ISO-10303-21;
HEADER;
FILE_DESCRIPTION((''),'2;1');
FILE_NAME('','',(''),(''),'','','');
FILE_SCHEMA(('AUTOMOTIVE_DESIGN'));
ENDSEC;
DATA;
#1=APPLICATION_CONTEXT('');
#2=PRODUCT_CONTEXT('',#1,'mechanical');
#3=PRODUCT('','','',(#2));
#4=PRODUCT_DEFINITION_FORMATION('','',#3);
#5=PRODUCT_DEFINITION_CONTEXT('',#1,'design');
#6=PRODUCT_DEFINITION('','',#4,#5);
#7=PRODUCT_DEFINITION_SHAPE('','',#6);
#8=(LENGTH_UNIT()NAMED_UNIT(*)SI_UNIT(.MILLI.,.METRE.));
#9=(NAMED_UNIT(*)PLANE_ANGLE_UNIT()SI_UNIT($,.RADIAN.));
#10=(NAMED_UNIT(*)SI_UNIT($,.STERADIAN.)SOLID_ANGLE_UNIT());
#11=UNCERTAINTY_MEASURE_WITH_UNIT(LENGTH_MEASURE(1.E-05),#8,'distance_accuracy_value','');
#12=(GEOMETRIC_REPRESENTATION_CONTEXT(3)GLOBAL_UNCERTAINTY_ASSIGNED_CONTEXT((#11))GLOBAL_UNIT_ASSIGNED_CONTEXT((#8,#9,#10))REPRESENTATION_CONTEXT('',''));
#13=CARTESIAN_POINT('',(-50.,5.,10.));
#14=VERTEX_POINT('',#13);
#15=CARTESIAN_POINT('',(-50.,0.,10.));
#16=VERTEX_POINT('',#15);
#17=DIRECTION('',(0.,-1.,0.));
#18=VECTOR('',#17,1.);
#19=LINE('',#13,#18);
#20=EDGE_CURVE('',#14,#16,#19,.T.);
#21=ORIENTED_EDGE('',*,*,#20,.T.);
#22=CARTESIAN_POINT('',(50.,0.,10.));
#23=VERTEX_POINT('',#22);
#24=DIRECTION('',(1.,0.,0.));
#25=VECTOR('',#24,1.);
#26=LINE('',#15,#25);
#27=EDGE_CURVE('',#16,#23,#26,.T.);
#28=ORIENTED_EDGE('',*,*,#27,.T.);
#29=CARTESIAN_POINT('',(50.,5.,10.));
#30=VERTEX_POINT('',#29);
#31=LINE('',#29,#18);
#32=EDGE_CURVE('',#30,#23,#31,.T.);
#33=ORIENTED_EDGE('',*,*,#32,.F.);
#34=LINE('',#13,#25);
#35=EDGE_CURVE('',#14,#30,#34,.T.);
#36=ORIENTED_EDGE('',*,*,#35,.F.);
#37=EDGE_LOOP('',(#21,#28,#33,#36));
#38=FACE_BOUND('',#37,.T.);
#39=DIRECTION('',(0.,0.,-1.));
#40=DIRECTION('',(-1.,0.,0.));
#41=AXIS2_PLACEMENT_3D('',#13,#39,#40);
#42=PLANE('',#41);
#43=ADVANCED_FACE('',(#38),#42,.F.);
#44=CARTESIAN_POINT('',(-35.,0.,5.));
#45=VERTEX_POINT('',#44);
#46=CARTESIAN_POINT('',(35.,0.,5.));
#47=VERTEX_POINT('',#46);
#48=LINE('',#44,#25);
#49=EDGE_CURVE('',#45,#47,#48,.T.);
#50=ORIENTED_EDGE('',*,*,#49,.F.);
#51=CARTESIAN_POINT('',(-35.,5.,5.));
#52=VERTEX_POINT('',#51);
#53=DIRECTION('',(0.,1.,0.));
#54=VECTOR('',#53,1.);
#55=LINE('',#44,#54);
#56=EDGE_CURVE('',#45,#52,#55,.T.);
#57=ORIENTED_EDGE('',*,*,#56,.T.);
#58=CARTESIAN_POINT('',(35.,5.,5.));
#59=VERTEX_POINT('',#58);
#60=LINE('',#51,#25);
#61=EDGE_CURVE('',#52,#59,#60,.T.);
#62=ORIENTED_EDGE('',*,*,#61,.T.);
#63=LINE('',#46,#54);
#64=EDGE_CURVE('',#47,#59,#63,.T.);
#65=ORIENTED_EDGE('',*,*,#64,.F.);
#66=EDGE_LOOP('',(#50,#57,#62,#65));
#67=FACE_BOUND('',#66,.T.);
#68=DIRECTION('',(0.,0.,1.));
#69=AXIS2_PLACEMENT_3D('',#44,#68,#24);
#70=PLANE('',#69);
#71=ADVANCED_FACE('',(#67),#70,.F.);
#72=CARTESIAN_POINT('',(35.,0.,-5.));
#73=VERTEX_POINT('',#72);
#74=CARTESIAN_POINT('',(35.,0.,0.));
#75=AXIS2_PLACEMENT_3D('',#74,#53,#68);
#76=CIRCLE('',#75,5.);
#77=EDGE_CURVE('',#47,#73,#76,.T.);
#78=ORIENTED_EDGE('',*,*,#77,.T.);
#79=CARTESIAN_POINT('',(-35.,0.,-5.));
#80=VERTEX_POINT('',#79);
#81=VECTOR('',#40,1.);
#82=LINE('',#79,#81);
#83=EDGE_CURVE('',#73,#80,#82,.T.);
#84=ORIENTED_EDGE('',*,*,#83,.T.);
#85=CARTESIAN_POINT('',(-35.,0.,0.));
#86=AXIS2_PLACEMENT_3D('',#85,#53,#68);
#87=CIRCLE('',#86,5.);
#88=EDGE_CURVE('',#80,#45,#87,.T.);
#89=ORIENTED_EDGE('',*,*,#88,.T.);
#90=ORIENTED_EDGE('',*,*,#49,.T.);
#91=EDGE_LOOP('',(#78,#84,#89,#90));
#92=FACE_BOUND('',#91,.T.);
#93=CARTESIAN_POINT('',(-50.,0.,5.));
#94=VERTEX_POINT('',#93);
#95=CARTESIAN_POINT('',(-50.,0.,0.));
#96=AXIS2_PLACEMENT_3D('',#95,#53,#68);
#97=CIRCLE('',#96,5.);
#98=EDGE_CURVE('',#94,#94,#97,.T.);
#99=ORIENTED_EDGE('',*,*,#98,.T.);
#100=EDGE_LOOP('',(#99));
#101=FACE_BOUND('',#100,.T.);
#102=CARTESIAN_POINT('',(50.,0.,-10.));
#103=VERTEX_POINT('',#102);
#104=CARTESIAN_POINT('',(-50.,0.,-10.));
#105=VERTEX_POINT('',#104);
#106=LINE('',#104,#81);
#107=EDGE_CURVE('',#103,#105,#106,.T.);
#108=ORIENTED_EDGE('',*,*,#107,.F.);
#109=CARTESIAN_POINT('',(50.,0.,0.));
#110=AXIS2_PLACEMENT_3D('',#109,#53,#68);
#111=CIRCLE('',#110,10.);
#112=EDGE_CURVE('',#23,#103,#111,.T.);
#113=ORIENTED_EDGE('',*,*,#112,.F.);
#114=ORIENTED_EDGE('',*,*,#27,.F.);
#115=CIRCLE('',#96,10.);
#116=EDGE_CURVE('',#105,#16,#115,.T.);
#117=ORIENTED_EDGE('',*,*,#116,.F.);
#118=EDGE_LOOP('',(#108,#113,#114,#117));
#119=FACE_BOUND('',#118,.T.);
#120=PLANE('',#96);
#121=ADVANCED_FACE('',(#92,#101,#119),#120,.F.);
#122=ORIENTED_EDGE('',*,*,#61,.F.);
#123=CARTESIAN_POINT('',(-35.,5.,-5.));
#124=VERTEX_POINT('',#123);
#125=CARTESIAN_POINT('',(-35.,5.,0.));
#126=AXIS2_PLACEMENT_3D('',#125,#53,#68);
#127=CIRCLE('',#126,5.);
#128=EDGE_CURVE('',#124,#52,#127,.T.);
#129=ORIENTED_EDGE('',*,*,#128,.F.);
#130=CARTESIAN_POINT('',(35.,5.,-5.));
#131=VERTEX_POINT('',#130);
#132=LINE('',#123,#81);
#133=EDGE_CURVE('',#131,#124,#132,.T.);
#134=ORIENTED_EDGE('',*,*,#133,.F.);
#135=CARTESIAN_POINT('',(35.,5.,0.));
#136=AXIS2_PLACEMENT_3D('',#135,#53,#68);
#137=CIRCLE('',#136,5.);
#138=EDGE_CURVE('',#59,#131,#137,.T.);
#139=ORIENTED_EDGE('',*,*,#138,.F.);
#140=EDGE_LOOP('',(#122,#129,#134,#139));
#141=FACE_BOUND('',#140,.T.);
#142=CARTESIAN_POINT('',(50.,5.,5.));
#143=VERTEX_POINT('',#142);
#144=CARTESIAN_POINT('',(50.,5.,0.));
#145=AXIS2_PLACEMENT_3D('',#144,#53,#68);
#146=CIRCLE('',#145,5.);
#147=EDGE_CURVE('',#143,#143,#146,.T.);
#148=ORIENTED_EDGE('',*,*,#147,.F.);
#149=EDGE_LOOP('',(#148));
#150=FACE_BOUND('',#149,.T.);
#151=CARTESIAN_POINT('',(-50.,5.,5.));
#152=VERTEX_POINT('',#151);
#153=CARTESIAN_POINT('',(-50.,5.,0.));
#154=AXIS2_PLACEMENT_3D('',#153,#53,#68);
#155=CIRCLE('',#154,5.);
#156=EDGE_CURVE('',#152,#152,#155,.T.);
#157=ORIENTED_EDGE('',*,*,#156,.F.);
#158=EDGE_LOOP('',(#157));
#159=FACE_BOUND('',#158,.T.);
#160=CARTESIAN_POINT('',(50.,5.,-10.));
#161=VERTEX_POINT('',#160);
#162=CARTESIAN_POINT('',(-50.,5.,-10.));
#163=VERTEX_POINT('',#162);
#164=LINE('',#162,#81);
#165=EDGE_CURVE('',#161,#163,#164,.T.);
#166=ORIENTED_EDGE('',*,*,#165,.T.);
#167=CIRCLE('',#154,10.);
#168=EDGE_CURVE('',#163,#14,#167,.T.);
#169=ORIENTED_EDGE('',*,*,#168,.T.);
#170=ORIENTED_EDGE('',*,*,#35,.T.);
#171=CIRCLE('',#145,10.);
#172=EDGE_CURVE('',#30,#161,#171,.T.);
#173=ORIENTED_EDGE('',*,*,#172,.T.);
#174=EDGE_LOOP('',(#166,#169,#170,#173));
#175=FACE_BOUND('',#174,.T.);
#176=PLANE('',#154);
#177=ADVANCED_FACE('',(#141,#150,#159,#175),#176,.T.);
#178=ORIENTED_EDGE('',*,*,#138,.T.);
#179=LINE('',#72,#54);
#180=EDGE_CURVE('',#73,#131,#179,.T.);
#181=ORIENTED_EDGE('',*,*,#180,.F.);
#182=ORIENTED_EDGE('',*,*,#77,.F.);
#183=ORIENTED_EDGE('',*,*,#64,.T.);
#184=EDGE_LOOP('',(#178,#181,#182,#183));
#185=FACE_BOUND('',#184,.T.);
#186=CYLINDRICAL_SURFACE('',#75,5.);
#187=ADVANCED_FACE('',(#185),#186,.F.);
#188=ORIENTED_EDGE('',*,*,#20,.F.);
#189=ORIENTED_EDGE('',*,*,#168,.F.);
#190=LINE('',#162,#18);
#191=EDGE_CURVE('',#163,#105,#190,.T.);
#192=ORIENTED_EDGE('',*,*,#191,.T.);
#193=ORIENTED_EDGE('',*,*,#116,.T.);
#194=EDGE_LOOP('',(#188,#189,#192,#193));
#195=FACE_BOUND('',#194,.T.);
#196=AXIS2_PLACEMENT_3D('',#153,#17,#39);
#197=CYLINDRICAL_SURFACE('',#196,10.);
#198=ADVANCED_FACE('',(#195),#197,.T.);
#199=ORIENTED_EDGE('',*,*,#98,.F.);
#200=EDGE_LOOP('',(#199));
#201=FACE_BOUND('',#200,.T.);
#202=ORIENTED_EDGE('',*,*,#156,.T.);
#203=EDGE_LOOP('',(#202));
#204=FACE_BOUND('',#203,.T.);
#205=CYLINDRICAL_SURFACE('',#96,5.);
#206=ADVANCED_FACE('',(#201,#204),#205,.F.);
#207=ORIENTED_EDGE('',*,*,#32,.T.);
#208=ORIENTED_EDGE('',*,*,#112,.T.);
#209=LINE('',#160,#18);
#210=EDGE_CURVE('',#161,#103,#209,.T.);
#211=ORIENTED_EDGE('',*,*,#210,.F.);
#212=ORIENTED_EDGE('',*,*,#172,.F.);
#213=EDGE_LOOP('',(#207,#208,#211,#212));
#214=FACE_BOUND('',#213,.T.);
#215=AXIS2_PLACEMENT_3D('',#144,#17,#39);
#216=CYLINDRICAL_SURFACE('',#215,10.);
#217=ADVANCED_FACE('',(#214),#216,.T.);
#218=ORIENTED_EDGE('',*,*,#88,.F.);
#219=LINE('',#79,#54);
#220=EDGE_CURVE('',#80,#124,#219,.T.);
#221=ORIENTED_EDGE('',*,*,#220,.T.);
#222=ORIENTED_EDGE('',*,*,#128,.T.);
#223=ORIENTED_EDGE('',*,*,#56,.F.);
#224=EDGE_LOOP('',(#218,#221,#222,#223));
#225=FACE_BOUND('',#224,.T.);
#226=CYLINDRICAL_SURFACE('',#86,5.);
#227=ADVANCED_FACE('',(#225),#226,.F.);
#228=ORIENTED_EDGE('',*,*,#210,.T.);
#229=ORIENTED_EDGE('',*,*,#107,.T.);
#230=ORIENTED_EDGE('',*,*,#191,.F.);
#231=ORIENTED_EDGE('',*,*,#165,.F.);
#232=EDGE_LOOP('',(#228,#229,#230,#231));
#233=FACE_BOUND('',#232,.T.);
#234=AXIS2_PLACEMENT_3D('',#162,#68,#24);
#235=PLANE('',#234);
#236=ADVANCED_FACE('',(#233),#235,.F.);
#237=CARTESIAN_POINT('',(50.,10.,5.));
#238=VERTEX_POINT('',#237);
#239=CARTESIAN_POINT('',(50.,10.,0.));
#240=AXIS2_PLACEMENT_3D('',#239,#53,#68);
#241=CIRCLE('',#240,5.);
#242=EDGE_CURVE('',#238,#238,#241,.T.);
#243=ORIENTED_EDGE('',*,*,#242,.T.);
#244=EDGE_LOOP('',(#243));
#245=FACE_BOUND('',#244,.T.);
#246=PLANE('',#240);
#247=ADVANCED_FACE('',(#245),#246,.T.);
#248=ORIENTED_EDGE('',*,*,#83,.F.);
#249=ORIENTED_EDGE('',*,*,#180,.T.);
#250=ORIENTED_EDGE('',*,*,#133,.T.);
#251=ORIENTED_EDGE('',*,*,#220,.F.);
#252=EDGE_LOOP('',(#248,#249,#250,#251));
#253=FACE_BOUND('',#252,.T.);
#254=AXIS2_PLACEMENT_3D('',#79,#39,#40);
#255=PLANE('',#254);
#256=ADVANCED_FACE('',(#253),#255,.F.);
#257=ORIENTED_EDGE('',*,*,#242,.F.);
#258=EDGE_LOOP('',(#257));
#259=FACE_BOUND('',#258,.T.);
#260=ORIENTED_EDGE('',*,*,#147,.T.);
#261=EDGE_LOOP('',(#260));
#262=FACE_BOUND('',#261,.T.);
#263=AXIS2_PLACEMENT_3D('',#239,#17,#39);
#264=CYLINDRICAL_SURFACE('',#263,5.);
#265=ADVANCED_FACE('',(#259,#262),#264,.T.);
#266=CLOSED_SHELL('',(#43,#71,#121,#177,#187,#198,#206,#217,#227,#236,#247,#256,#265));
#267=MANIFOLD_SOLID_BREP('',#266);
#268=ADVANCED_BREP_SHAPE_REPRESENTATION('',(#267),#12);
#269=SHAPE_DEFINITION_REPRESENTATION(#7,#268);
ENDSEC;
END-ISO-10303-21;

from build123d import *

# Parameters (mm, degrees)
BOSS_EXTRUDE1_DEPTH = 5
CUT_EXTRUDE1_DEPTH  = 62.032778079
SKETCH3_R           = 5
BOSS_EXTRUDE2_DEPTH = 5
SKETCH4_R           = 5
CUT_EXTRUDE2_DEPTH  = 62.032778079


with BuildPart() as part:
    # Sketch1 → Boss-Extrude1 (new body)
    with BuildSketch(Plane(origin=(0, 0, 0), x_dir=(1, 0, 0), z_dir=(0, 1, 0))):
        with BuildLine():
            Line((-50, 10), (50, 10))
            ThreePointArc((50, 10), (60, 0), (50, -10))
            Line((50, -10), (-50, -10))
            ThreePointArc((-50, -10), (-60, 0), (-50, 10))
        make_face()
    extrude(amount=BOSS_EXTRUDE1_DEPTH)

    # Sketch2 → Cut-Extrude1 (cut, through all)
    with BuildSketch(Plane(origin=(0, 5, 0), x_dir=(1, 0, 0), z_dir=(0, 1, 0))):
        with BuildLine():
            Line((-35, 5), (35, 5))
            ThreePointArc((35, 5), (40, 0), (35, -5))
            Line((35, -5), (-35, -5))
            ThreePointArc((-35, -5), (-40, 0), (-35, 5))
        make_face()
    extrude(amount=-CUT_EXTRUDE1_DEPTH, mode=Mode.SUBTRACT)

    # Sketch3 → Boss-Extrude2 (add)
    with BuildSketch(Plane(origin=(0, 5, 0), x_dir=(1, 0, 0), z_dir=(0, 1, 0))):
        with Locations(Location((50, 0, 0), (0, 0, 270))):
            Circle(SKETCH3_R)
    extrude(amount=BOSS_EXTRUDE2_DEPTH)

    # Sketch4 → Cut-Extrude2 (cut, through all)
    with BuildSketch(Plane(origin=(0, 5, 0), x_dir=(1, 0, 0), z_dir=(0, 1, 0))):
        with Locations(Location((-50, 0, 0), (0, 0, 270))):
            Circle(SKETCH4_R)
    extrude(amount=-CUT_EXTRUDE2_DEPTH, mode=Mode.SUBTRACT)


solid = part.part
